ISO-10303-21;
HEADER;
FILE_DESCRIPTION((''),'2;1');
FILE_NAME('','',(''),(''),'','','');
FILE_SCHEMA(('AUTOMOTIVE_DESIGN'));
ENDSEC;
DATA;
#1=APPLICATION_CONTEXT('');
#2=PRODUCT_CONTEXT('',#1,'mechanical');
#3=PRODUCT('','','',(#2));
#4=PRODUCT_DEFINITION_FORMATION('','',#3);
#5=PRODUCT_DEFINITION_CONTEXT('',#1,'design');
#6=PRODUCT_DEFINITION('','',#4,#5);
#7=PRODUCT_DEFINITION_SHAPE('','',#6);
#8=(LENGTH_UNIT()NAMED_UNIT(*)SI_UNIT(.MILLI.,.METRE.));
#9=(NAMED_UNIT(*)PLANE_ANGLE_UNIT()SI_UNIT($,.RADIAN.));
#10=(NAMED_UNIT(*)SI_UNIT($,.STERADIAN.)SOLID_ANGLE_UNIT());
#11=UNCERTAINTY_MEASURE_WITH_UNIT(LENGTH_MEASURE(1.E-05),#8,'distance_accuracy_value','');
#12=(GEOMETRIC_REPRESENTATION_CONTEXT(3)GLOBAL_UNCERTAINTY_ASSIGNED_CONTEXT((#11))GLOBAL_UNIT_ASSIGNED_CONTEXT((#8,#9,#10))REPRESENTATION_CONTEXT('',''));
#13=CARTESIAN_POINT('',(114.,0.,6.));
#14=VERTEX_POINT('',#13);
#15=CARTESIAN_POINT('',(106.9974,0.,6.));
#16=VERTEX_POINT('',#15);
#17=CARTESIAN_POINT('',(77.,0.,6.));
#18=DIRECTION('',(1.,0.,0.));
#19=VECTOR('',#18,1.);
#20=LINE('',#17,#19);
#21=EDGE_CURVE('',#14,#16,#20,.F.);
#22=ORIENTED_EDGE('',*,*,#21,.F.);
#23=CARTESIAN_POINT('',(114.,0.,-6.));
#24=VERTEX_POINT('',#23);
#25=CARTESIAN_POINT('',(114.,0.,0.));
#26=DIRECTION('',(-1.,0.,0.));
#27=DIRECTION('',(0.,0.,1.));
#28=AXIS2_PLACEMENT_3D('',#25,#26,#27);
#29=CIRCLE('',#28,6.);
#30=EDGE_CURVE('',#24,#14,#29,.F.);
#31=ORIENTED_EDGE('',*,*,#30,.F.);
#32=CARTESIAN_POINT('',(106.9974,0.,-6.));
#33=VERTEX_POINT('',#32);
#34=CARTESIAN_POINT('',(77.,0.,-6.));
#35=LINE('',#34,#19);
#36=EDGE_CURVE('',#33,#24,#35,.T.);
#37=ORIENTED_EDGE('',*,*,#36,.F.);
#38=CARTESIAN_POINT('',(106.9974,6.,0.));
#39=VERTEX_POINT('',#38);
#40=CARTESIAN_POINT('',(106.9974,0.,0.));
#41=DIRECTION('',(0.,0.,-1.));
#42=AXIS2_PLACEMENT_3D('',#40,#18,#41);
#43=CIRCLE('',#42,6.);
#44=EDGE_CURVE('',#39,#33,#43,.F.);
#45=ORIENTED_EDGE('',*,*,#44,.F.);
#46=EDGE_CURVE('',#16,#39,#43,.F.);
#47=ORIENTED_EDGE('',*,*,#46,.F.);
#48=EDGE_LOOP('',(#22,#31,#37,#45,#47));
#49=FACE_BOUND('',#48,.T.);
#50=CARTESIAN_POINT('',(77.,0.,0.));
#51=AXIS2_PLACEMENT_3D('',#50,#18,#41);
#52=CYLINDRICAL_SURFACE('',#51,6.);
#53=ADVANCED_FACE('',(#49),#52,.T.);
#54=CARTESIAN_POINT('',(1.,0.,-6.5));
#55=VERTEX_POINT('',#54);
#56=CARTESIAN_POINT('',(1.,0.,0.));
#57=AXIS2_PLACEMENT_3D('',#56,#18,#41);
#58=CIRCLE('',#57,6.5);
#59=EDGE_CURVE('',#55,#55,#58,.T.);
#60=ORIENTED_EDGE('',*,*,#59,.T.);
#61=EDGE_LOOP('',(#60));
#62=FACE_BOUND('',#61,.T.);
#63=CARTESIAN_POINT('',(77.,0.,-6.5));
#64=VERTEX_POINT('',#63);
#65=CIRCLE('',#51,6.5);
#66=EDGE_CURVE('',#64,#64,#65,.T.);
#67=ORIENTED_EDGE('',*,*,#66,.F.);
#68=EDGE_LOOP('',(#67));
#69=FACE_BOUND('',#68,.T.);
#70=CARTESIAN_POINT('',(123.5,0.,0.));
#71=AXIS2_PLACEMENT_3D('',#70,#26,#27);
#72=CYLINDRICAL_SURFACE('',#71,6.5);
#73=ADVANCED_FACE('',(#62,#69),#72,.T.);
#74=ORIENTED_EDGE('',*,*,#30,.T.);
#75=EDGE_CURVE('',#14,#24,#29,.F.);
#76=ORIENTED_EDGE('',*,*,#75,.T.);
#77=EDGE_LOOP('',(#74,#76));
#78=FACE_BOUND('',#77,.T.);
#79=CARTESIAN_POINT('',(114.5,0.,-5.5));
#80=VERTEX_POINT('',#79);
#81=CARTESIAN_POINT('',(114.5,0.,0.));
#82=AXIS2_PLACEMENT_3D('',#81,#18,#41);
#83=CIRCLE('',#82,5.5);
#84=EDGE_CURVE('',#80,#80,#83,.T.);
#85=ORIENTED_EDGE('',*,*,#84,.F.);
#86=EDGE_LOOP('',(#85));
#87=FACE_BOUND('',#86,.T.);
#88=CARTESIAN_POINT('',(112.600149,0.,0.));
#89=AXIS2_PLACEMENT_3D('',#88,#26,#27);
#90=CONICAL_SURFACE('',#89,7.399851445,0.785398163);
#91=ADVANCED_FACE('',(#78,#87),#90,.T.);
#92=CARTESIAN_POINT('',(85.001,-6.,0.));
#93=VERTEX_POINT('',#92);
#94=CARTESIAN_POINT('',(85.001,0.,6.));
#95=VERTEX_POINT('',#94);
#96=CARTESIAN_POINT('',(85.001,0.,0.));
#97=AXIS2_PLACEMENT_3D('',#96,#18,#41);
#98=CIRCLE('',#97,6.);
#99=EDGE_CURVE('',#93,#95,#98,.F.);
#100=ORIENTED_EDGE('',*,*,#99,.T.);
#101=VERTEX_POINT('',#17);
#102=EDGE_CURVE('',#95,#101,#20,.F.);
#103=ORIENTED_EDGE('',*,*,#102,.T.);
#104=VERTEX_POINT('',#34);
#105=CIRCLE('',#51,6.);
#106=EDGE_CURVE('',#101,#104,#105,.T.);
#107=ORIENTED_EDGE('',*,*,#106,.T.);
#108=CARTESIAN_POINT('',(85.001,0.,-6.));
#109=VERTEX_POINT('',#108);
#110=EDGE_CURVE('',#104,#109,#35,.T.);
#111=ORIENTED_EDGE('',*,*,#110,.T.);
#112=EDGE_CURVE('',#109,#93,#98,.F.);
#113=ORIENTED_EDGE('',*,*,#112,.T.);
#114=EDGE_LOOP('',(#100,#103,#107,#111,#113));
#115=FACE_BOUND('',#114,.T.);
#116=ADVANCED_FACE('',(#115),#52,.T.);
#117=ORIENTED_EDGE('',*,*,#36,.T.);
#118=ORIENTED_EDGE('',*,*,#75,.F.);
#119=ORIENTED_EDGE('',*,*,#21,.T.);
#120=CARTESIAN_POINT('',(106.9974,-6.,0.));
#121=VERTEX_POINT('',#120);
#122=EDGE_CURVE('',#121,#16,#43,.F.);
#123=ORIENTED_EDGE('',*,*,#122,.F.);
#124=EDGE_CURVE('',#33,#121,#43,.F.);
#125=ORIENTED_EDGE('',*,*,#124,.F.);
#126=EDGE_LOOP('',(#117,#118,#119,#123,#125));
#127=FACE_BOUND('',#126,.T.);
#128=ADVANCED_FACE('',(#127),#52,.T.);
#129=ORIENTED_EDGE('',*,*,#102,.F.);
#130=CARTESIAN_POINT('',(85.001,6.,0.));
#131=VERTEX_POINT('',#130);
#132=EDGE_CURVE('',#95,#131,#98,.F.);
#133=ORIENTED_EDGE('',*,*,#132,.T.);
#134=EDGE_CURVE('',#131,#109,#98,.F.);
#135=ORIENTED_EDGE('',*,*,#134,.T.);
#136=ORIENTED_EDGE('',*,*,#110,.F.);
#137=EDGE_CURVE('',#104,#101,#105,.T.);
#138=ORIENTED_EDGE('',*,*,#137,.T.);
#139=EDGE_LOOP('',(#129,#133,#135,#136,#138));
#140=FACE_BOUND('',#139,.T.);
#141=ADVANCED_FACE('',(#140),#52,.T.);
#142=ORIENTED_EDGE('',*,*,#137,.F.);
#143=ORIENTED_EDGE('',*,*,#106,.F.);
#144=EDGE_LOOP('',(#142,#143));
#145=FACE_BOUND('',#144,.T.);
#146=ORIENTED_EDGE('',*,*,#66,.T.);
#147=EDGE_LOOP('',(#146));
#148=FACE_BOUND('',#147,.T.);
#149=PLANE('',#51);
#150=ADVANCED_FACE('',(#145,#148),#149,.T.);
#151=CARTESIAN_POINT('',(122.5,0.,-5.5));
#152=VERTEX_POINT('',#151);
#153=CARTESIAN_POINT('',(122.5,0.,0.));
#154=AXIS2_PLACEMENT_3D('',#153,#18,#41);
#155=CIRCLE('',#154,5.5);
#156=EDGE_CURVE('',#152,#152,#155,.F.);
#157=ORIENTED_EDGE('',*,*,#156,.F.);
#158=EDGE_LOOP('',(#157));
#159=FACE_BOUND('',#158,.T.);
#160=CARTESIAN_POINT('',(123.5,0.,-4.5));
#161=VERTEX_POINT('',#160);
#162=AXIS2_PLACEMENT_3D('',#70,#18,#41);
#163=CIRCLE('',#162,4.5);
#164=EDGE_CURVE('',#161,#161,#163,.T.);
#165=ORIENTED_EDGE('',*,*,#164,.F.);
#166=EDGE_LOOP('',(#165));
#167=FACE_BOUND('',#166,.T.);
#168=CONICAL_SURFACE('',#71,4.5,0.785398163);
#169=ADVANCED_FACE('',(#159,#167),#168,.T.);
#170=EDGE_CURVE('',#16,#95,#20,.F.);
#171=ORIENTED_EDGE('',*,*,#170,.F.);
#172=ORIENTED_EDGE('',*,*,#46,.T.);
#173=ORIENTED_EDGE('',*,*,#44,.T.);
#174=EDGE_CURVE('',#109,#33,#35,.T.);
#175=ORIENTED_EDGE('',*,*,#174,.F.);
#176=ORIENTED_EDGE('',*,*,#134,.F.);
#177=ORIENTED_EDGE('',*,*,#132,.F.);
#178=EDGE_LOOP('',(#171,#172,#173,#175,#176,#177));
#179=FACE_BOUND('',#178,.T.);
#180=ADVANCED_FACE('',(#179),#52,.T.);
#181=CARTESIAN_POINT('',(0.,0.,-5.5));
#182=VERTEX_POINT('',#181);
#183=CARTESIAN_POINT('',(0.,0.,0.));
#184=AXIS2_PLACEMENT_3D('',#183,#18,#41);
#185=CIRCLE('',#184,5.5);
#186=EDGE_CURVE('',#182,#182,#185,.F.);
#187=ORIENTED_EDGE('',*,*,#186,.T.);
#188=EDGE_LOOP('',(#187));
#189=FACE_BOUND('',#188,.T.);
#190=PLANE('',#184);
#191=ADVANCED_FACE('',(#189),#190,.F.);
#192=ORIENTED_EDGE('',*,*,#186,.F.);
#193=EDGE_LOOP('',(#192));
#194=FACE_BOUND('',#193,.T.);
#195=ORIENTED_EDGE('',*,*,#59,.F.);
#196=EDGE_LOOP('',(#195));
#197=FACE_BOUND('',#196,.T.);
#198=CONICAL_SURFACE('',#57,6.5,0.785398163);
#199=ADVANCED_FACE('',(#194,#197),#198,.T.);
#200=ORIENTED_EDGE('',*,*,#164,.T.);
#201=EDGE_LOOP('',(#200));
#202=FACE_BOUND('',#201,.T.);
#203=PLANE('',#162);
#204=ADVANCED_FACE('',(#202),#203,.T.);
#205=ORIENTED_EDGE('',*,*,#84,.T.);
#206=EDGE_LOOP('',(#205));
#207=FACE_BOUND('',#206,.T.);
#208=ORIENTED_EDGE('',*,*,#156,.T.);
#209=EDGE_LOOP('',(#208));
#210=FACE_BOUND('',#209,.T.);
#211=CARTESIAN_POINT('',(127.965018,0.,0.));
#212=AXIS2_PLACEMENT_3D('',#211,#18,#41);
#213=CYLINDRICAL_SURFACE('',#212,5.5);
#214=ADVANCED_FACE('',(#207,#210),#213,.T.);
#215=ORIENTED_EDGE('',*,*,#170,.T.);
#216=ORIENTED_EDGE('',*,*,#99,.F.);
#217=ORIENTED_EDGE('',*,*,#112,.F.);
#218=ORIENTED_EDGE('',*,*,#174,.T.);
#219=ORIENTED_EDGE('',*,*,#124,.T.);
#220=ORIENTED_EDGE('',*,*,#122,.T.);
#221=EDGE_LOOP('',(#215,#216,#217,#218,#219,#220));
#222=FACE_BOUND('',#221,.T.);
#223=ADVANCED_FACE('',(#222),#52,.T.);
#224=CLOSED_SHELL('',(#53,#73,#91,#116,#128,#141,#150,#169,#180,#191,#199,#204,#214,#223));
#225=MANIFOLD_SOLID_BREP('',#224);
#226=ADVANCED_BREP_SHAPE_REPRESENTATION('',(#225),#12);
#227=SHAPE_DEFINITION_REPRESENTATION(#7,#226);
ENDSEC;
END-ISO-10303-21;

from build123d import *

# Parameters (mm, degrees)
SKETCH1_R          = 6.5
EXTRUDE1_DEPTH     = 123.5
SKETCH2_OUTSIDE_W  = 39.972
SKETCH2_OUTSIDE_H  = 39.972
SKETCH2_OUTSIDE_R  = 6
CUT_EXTRUDE1_DEPTH = 46.5
CHAMFER1_SIZE      = 1


with BuildPart() as part:
    # Sketch1 → Extrude1 (new body)
    with BuildSketch(Plane(origin=(0, 0, 0), x_dir=(0, 0, -1), z_dir=(1, 0, 0))):
        Circle(SKETCH1_R)
    extrude(amount=EXTRUDE1_DEPTH)

    # Sketch2 outside → Cut-Extrude1 (cut)
    with BuildSketch(Plane(origin=(123.5, 0, 0), x_dir=(0, 0, -1), z_dir=(1, 0, 0))):
        Rectangle(SKETCH2_OUTSIDE_W, SKETCH2_OUTSIDE_H)
        Circle(SKETCH2_OUTSIDE_R, mode=Mode.SUBTRACT)
    extrude(amount=-CUT_EXTRUDE1_DEPTH, mode=Mode.SUBTRACT)

    # Sketch3 → Cut-Revolve1 (revolve, cut)
    with BuildSketch(Plane.XY, mode=Mode.PRIVATE) as cut_revolve1_sk:
        Polygon((123.5, 10.253952542), (123.5, 5.5), (114.5, 5.5), (112.600148555, 7.399851445), (112.600148555, 10.253952542), align=None)
    revolve(cut_revolve1_sk.sketch.rotate(Axis((127.965017679, 0, 0), (-1, 0, 0)), 90), axis=Axis((127.965017679, 0, 0), (-1, 0, 0)), mode=Mode.SUBTRACT)

    # Chamfer1
    chamfer1_edges = [part.edges().sort_by_distance(p)[0] for p in [
        (0, 0, 6.5),
        (123.5, 0, 5.5),
    ]]
    chamfer(chamfer1_edges, length=CHAMFER1_SIZE)


solid = part.part
